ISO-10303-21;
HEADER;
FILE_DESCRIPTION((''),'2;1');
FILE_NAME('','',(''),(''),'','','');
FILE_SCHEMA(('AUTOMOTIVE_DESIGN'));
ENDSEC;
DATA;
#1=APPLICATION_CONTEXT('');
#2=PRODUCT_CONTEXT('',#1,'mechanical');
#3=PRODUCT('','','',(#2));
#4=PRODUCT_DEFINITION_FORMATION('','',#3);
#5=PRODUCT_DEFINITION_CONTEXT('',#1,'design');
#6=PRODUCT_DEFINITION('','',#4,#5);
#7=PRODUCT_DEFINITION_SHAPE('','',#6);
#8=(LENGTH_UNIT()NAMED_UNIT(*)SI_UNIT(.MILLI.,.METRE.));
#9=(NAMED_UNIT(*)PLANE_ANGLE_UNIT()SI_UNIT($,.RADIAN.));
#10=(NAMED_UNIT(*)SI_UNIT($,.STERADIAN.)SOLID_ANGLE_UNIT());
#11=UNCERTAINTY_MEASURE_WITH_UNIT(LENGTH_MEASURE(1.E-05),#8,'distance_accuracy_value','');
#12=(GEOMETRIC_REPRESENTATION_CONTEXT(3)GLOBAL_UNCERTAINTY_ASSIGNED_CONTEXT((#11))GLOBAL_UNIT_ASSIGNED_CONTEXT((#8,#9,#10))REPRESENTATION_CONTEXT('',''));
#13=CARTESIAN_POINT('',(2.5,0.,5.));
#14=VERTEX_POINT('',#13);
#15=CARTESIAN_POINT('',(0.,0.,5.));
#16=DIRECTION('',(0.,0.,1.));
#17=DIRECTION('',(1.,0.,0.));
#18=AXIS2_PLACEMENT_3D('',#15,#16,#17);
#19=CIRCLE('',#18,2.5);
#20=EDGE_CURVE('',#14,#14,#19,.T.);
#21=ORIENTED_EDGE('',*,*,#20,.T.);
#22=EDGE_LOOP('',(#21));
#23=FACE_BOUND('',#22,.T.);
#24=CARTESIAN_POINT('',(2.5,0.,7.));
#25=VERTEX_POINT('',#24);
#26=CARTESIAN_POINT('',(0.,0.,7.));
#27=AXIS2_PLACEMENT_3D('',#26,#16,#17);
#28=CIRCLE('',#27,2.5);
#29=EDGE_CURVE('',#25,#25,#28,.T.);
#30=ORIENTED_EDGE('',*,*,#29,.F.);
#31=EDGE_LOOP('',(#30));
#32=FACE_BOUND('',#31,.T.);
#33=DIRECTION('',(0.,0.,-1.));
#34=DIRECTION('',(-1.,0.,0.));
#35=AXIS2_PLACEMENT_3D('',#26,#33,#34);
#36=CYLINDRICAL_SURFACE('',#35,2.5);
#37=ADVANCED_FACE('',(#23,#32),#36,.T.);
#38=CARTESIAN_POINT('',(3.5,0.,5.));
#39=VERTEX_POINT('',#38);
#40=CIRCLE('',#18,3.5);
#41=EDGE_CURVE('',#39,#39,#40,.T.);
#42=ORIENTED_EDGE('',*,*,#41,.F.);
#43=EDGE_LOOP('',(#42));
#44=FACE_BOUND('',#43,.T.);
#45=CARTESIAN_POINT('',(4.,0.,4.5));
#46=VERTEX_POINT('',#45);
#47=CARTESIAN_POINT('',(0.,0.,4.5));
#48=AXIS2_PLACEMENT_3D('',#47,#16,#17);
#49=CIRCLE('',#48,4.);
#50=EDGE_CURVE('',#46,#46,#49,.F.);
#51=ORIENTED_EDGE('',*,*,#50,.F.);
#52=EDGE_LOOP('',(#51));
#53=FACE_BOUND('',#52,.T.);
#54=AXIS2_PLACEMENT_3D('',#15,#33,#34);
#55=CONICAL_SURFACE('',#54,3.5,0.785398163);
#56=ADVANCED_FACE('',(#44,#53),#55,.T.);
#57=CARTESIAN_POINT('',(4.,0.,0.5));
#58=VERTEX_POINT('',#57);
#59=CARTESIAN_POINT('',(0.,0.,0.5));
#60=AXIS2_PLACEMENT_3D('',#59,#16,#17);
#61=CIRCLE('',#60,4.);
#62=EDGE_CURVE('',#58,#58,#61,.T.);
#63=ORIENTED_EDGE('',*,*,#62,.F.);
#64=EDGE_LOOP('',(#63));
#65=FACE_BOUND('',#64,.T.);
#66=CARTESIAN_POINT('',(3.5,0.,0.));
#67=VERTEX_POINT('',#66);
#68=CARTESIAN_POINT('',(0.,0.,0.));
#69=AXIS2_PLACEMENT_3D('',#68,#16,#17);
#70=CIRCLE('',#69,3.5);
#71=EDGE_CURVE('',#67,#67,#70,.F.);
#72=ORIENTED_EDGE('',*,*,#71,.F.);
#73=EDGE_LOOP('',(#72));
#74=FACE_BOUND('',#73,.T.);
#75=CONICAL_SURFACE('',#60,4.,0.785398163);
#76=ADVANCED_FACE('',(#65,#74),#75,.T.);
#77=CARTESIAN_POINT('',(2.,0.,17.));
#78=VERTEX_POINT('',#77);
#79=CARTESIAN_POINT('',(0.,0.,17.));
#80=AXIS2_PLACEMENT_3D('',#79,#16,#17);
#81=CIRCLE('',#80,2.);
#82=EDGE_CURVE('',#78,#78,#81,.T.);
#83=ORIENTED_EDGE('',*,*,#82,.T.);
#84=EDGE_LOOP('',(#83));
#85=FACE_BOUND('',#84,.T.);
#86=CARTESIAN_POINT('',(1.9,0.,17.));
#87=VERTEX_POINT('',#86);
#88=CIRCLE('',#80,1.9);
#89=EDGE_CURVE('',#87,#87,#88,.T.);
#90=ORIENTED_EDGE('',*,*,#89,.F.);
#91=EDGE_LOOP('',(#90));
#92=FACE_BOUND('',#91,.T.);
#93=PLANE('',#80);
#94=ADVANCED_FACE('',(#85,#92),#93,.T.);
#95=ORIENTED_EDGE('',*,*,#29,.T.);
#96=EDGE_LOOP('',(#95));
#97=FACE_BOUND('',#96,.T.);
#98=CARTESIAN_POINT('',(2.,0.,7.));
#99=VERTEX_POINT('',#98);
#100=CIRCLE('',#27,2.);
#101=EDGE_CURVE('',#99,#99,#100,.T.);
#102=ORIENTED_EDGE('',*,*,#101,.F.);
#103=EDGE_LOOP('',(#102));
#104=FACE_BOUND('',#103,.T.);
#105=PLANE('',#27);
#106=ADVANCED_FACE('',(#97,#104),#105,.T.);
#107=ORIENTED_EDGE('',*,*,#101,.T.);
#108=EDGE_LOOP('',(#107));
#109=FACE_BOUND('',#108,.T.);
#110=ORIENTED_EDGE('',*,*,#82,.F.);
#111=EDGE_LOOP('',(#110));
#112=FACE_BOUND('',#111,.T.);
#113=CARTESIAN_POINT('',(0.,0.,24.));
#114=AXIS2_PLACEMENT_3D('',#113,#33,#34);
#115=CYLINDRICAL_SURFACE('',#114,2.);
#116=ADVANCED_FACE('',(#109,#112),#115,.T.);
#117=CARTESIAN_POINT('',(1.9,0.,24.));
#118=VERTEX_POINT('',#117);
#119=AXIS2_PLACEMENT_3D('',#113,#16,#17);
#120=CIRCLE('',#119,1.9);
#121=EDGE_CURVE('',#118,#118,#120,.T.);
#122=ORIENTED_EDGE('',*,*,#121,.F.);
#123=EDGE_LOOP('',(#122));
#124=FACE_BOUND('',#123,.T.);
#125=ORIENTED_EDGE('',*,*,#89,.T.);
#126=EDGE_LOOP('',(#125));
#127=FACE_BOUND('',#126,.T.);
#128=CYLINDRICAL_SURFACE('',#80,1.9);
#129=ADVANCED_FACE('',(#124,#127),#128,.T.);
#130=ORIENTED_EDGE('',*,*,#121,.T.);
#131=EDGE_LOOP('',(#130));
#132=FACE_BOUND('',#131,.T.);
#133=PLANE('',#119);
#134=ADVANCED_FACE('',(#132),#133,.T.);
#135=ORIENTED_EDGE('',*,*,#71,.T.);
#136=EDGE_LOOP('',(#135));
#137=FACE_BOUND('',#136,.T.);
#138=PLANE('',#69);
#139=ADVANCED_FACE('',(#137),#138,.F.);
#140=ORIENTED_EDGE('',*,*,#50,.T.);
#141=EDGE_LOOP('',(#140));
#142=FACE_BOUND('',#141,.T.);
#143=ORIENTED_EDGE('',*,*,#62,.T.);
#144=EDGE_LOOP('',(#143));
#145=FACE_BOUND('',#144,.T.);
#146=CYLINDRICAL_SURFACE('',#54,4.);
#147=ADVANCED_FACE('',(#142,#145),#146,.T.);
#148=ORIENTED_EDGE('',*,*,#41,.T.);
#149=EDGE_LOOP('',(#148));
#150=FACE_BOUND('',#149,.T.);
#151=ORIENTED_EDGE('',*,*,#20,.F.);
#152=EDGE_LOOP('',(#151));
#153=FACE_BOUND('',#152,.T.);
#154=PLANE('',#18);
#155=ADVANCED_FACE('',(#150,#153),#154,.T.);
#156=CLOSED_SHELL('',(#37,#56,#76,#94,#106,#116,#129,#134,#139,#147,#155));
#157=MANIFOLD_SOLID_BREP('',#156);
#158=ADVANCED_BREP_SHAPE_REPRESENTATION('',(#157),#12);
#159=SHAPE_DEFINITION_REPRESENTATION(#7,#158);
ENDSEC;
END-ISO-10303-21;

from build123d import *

# Parameters (mm, degrees)
SKETCH_1_R          = 4
EXTRUDE_1_DEPTH     = 5
SKETCH_2_R          = 2.5
EXTRUDE_2_DEPTH     = 2
SKETCH_3_R          = 2
EXTRUDE_3_DEPTH     = 17
CHAMFER_1_SIZE      = 0.5
CHAMFER_2_SIZE      = 0.5
CUT_EXTRUDE_START   = -7
SKETCH_4_R          = 2
SKETCH_4_R_2        = 1.9
CUT_EXTRUDE_1_DEPTH = 7


with BuildPart() as part:
    # 草图1 → 凸台-拉伸1 (new body)
    with BuildSketch(Plane.XY):
        Circle(SKETCH_1_R)
    extrude(amount=EXTRUDE_1_DEPTH)

    # 草图2 → 凸台-拉伸2 (add)
    with BuildSketch(Plane.XY.offset(5)):
        Circle(SKETCH_2_R)
    extrude(amount=EXTRUDE_2_DEPTH)

    # 草图3 → 凸台-拉伸3 (add)
    with BuildSketch(Plane.XY.offset(7)):
        Circle(SKETCH_3_R)
    extrude(amount=EXTRUDE_3_DEPTH)

    # 倒角1
    chamfer_1_edges = [part.edges().sort_by_distance(p)[0] for p in [
        (-4, 0, 0),
    ]]
    chamfer(chamfer_1_edges, length=CHAMFER_1_SIZE)

    # 倒角2
    chamfer_2_edges = [part.edges().sort_by_distance(p)[0] for p in [
        (-4, 0, 5),
    ]]
    chamfer(chamfer_2_edges, length=CHAMFER_2_SIZE)

    # 草图4 → 切除-拉伸1 (cut)
    with BuildSketch(Plane.XY.offset(24).offset(CUT_EXTRUDE_START)):
        Circle(SKETCH_4_R)
        Circle(SKETCH_4_R_2, mode=Mode.SUBTRACT)
    extrude(amount=CUT_EXTRUDE_1_DEPTH, mode=Mode.SUBTRACT)


solid = part.part
